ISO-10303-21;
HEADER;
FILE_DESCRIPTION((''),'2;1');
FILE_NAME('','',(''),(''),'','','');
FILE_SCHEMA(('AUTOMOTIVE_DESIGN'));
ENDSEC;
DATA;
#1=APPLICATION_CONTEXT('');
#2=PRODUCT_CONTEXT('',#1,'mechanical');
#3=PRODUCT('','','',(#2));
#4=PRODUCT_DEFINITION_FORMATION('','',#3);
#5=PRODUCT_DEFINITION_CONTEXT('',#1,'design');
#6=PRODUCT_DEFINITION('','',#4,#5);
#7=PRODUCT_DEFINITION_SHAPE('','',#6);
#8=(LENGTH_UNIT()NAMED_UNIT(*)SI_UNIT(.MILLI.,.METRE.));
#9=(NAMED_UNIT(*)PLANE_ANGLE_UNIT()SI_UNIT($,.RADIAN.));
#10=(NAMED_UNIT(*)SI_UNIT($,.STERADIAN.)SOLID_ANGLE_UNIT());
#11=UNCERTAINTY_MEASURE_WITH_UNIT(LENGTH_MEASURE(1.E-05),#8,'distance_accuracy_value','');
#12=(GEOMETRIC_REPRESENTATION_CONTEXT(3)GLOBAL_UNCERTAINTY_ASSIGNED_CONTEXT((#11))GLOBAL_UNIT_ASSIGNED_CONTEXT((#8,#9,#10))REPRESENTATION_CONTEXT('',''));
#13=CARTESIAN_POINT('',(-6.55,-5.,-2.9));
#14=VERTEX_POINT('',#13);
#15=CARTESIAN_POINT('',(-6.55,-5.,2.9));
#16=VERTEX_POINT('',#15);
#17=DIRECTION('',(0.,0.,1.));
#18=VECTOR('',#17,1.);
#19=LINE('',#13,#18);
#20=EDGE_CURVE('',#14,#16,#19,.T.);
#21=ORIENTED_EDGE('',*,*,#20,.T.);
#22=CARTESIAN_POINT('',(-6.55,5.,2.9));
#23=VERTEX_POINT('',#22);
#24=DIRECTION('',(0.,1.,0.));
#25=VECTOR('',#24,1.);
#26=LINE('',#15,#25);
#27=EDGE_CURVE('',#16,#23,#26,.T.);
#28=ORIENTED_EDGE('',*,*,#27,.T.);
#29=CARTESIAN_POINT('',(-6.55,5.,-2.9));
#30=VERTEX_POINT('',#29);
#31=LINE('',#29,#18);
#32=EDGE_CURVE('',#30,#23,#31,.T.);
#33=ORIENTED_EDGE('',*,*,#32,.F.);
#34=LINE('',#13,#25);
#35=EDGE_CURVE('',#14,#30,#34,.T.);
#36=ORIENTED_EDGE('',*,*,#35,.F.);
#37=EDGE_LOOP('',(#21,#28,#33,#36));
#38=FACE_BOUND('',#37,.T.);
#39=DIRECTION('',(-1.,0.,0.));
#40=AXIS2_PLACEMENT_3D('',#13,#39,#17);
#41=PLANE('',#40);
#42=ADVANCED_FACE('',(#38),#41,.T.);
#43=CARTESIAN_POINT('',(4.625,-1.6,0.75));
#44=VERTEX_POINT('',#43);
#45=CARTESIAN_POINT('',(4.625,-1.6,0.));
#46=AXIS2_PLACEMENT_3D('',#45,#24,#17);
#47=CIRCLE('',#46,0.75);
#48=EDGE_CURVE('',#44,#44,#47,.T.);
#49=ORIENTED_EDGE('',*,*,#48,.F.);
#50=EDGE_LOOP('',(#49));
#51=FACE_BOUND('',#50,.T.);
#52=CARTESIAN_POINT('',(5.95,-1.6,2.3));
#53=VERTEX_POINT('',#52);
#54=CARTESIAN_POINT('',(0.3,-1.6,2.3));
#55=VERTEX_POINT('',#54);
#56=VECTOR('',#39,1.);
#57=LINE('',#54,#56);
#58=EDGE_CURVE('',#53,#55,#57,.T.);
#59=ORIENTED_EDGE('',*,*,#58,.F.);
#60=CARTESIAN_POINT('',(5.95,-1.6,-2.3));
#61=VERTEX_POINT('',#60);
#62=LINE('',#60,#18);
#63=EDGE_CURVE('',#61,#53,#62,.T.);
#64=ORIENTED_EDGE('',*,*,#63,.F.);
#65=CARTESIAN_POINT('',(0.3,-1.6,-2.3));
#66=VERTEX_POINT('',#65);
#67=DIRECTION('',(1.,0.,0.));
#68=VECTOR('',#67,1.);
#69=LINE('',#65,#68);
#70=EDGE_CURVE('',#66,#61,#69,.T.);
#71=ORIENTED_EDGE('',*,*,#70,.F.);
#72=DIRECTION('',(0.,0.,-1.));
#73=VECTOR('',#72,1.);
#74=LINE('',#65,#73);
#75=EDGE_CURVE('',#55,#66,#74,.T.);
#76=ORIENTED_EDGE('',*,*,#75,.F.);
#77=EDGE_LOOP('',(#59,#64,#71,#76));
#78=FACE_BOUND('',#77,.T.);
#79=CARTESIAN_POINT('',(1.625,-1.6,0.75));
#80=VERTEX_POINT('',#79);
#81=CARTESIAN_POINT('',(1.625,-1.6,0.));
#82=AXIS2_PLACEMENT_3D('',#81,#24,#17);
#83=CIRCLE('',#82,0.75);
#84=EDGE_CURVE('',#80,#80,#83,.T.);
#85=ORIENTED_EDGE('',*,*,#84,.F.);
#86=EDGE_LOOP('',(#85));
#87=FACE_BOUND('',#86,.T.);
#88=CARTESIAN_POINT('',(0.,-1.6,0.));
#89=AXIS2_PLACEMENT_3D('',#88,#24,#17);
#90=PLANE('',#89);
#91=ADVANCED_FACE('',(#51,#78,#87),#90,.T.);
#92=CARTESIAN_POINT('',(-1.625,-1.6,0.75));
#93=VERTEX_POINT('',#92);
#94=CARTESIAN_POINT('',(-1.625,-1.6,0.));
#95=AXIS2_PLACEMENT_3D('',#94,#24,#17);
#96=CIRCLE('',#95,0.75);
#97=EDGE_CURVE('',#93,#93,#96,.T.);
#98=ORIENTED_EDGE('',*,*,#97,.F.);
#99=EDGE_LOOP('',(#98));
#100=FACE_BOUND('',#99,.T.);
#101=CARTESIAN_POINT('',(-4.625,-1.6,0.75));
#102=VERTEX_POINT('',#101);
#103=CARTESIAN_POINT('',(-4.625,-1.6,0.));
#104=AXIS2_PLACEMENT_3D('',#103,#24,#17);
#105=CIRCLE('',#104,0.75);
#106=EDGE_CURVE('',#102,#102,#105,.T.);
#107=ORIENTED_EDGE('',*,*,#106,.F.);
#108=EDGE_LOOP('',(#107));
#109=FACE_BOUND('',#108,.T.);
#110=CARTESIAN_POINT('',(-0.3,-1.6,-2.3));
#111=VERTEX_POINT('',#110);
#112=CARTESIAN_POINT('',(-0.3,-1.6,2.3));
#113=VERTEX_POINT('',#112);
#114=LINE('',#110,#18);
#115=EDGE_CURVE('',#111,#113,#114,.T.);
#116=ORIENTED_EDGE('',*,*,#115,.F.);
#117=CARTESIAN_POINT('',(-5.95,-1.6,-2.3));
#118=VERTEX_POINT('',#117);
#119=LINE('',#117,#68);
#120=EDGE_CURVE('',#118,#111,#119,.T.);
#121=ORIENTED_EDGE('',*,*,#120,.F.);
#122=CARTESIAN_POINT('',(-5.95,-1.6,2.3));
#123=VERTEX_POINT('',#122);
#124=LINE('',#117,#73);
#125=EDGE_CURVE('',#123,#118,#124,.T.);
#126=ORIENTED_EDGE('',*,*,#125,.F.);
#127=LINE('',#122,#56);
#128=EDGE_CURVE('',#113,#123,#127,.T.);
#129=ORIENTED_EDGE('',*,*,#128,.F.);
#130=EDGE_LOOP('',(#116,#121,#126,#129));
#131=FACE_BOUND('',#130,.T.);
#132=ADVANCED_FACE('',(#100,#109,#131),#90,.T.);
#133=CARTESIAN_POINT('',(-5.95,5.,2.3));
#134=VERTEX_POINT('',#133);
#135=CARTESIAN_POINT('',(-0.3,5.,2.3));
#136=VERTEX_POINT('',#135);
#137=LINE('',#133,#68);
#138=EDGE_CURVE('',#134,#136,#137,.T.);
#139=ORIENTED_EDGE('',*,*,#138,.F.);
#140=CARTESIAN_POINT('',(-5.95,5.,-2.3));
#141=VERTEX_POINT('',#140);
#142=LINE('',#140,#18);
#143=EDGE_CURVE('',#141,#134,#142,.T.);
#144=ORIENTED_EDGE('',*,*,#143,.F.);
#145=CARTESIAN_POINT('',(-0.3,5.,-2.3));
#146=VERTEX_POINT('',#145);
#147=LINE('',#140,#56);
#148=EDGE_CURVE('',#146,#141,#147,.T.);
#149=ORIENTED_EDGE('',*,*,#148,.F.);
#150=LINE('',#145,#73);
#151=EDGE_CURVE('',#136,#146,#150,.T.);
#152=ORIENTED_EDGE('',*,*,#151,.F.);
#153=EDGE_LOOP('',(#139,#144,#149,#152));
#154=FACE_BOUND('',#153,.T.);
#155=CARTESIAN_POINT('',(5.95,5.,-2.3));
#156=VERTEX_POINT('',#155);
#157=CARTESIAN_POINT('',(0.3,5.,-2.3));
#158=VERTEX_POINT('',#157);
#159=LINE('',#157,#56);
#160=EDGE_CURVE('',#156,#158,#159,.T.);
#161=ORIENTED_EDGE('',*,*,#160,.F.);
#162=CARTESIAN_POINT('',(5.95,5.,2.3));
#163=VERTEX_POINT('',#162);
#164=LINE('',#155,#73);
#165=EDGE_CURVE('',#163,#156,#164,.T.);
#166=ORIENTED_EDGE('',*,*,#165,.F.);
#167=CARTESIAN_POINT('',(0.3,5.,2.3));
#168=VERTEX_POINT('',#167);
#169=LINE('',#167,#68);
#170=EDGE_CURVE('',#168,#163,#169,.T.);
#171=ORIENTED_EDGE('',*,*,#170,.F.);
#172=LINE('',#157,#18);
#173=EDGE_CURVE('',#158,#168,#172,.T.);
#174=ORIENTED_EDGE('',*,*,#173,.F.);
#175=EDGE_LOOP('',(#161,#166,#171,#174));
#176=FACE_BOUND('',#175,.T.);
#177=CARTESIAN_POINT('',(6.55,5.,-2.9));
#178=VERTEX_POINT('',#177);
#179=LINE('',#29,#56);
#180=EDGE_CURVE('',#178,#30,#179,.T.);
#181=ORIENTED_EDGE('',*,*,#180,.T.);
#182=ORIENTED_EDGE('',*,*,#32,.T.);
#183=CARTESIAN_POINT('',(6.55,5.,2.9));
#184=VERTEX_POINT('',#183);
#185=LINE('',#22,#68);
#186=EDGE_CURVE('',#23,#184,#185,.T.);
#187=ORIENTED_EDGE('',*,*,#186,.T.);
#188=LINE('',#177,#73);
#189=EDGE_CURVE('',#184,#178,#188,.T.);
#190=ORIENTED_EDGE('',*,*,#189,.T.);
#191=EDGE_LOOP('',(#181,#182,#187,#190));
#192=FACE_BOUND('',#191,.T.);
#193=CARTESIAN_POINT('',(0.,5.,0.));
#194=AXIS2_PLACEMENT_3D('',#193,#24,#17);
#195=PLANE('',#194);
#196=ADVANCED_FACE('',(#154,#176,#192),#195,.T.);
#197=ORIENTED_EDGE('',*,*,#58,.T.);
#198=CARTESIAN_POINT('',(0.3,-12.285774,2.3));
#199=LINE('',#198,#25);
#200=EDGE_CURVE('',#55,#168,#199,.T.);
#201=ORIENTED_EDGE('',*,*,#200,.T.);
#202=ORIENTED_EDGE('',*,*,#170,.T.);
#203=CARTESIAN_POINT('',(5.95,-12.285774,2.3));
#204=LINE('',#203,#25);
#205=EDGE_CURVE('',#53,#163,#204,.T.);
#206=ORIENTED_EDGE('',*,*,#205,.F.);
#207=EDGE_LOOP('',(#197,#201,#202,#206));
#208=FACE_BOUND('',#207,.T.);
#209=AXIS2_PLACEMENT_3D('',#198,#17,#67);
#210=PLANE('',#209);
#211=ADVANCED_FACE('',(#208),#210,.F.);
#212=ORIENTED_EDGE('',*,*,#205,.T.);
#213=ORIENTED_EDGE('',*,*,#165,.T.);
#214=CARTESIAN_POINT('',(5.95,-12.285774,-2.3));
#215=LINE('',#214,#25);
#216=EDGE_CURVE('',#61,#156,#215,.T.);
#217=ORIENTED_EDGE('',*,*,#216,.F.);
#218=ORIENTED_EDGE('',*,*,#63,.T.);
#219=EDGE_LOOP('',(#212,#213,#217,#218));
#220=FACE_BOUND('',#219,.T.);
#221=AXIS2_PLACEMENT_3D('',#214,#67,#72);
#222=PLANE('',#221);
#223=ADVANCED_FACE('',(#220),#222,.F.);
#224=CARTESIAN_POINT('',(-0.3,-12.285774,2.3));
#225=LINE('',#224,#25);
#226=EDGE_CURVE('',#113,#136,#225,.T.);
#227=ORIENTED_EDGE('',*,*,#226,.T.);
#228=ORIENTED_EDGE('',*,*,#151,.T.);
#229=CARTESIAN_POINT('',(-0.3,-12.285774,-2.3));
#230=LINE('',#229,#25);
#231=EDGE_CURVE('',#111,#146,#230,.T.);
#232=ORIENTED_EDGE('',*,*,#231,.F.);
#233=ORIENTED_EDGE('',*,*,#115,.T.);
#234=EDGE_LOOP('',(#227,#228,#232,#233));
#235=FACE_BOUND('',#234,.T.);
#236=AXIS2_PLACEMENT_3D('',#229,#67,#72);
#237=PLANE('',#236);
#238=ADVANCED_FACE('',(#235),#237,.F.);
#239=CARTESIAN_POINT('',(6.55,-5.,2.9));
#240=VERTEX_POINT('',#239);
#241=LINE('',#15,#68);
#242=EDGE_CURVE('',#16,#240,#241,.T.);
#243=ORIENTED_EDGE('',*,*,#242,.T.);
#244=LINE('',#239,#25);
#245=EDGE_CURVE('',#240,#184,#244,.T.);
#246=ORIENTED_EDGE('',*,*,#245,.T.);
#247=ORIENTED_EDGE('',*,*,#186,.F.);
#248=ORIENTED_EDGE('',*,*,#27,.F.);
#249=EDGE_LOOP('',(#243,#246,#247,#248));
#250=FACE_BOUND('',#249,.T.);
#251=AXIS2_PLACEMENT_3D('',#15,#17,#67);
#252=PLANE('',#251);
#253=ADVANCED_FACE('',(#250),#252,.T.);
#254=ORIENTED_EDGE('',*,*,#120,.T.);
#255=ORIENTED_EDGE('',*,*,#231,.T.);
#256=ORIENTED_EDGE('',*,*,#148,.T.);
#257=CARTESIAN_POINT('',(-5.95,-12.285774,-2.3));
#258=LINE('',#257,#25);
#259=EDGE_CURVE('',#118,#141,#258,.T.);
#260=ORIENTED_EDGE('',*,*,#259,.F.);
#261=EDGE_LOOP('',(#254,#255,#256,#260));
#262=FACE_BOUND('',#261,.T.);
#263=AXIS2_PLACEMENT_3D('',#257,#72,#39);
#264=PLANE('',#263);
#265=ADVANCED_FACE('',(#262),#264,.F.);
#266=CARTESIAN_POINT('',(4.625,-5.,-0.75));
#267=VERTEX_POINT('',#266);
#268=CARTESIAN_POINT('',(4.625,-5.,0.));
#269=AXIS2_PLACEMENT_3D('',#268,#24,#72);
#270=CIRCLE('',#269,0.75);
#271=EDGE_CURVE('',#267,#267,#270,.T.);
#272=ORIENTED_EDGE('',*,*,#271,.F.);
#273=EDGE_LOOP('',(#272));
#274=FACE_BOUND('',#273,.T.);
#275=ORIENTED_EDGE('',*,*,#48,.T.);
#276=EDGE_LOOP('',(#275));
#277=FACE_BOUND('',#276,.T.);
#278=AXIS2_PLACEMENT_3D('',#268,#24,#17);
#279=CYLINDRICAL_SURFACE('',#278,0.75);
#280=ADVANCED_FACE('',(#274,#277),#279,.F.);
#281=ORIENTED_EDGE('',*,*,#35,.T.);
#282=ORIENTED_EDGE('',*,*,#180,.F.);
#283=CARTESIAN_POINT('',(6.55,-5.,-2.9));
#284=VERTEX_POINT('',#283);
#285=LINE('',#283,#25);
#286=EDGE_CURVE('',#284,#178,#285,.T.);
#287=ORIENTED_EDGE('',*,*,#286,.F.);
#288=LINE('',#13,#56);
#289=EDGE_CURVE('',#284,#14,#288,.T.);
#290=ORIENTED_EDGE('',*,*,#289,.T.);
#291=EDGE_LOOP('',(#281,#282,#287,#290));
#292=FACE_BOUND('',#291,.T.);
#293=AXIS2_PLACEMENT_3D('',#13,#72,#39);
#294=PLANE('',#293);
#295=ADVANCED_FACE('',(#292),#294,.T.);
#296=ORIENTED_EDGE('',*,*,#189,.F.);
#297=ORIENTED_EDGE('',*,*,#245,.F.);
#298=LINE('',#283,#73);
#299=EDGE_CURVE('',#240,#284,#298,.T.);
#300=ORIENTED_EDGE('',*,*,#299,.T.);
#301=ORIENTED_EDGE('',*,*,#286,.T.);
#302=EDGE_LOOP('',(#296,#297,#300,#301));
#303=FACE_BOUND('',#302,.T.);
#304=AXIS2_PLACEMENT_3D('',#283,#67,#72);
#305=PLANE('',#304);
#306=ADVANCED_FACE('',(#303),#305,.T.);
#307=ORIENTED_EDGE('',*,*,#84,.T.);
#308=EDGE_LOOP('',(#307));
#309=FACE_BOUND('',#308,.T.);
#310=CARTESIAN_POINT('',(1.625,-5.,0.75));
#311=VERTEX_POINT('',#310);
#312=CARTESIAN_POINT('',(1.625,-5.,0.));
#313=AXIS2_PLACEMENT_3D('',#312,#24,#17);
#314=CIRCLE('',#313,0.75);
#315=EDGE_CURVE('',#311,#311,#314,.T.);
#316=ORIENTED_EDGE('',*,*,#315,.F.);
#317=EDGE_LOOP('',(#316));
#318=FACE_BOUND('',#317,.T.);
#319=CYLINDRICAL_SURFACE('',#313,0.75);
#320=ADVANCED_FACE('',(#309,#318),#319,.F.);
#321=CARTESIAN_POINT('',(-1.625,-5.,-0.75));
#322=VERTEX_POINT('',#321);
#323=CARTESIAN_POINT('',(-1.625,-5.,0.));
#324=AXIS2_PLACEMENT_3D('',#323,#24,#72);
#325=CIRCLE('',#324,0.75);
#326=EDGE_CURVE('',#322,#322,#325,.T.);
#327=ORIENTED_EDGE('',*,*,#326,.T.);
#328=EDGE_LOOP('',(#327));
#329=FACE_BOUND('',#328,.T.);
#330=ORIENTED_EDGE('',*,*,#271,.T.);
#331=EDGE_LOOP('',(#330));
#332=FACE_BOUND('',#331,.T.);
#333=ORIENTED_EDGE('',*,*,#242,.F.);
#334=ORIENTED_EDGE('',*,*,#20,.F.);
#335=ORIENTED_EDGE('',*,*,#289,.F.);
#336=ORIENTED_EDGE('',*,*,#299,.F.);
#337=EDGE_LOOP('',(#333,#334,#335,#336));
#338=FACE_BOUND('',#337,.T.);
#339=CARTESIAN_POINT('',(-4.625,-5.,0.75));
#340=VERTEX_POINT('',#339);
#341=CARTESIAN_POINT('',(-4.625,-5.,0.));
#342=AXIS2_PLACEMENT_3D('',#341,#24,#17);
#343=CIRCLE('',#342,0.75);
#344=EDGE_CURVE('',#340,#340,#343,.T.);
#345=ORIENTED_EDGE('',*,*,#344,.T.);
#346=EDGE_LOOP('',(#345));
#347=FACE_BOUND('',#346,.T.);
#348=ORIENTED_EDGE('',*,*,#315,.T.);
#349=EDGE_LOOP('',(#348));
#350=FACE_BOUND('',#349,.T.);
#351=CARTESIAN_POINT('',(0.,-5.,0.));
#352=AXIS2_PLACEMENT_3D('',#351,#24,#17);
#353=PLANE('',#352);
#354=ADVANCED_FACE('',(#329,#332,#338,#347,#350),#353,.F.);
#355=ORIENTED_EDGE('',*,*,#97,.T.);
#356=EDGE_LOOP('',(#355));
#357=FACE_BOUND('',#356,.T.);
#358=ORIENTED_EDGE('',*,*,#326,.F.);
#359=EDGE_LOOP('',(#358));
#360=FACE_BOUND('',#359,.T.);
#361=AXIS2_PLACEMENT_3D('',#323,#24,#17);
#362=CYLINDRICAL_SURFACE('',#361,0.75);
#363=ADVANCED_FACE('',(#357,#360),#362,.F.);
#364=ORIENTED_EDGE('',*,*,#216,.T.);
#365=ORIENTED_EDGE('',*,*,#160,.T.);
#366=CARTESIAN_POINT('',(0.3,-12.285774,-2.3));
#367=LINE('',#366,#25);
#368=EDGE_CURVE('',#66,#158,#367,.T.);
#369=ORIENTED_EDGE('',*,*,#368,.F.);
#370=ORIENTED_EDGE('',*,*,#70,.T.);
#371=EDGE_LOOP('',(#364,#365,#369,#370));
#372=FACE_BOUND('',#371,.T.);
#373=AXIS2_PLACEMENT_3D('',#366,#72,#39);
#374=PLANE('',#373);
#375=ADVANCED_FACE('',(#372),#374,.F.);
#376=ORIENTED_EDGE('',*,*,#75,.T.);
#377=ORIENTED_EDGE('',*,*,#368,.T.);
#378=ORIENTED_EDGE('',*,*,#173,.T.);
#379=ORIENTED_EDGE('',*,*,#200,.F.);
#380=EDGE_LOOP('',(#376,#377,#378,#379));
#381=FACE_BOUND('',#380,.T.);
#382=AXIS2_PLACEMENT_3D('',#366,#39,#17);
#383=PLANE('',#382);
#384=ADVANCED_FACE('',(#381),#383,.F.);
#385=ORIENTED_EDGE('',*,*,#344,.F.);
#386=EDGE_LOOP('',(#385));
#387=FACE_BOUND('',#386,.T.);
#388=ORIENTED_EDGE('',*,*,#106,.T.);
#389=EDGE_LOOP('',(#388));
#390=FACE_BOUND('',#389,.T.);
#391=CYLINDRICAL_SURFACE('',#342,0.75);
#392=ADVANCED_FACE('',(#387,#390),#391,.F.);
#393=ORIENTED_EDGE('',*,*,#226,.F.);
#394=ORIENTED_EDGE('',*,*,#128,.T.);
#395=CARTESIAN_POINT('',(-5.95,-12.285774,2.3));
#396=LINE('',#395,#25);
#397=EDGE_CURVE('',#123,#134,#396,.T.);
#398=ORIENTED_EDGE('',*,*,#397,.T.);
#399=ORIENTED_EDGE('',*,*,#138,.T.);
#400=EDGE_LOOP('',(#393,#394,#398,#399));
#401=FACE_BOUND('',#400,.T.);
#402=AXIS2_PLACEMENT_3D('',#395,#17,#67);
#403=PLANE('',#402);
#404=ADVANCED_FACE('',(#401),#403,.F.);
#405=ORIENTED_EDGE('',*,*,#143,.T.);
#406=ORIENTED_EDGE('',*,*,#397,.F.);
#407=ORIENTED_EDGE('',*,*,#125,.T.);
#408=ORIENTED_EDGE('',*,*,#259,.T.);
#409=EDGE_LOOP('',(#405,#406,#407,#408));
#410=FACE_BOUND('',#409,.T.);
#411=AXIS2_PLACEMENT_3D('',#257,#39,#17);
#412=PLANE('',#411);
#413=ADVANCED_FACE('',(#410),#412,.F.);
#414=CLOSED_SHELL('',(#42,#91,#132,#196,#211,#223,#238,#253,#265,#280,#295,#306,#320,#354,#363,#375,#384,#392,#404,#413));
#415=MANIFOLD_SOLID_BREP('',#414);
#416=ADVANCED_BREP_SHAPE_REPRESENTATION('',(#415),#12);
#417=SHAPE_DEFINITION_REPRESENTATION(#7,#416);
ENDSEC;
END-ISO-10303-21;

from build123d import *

# Parameters (mm, degrees)
SKETCH1_W               = 13.1
SKETCH1_H               = 5.8
BOSS_EXTRUDE1_DEPTH     = 5
SKETCH10_W              = 5.65
SKETCH10_H              = 4.6
CUT_EXTRUDE7_DEPTH      = 6.6
SKETCH9_R               = 0.75
CUT_EXTRUDE6_DEPTH      = 6
CUT_EXTRUDE6_DEPTH_BACK = 6


with BuildPart() as part:
    # Sketch1 → Boss-Extrude1 (new body, symmetric)
    with BuildSketch(Plane(origin=(0, 0, 0), x_dir=(1, 0, 0), z_dir=(0, 1, 0))):
        Rectangle(SKETCH1_W, SKETCH1_H)
    extrude(amount=BOSS_EXTRUDE1_DEPTH, both=True)

    # Sketch10 → Cut-Extrude7 (cut)
    with BuildSketch(Plane(origin=(0, 5, 0), x_dir=(1, 0, 0), z_dir=(0, 1, 0))):
        with Locations((-3.125, 0)):
            Rectangle(SKETCH10_W, SKETCH10_H)
        with Locations((3.125, 0)):
            Rectangle(SKETCH10_W, SKETCH10_H)
    extrude(amount=-CUT_EXTRUDE7_DEPTH, mode=Mode.SUBTRACT)

    # Sketch9 → Cut-Extrude6 (cut, two sides)
    with BuildSketch(Plane(origin=(0, 0, 0), x_dir=(1, 0, 0), z_dir=(0, 1, 0))) as cut_extrude6_sk:
        with Locations((-4.625, 0)):
            Circle(SKETCH9_R)
        with Locations((-1.625, 0)):
            Circle(SKETCH9_R)
        with Locations((1.625, 0)):
            Circle(SKETCH9_R)
        with Locations((4.625, 0)):
            Circle(SKETCH9_R)
    extrude(amount=CUT_EXTRUDE6_DEPTH, mode=Mode.SUBTRACT)
    extrude(cut_extrude6_sk.sketch, amount=-CUT_EXTRUDE6_DEPTH_BACK, mode=Mode.SUBTRACT)


solid = part.part
